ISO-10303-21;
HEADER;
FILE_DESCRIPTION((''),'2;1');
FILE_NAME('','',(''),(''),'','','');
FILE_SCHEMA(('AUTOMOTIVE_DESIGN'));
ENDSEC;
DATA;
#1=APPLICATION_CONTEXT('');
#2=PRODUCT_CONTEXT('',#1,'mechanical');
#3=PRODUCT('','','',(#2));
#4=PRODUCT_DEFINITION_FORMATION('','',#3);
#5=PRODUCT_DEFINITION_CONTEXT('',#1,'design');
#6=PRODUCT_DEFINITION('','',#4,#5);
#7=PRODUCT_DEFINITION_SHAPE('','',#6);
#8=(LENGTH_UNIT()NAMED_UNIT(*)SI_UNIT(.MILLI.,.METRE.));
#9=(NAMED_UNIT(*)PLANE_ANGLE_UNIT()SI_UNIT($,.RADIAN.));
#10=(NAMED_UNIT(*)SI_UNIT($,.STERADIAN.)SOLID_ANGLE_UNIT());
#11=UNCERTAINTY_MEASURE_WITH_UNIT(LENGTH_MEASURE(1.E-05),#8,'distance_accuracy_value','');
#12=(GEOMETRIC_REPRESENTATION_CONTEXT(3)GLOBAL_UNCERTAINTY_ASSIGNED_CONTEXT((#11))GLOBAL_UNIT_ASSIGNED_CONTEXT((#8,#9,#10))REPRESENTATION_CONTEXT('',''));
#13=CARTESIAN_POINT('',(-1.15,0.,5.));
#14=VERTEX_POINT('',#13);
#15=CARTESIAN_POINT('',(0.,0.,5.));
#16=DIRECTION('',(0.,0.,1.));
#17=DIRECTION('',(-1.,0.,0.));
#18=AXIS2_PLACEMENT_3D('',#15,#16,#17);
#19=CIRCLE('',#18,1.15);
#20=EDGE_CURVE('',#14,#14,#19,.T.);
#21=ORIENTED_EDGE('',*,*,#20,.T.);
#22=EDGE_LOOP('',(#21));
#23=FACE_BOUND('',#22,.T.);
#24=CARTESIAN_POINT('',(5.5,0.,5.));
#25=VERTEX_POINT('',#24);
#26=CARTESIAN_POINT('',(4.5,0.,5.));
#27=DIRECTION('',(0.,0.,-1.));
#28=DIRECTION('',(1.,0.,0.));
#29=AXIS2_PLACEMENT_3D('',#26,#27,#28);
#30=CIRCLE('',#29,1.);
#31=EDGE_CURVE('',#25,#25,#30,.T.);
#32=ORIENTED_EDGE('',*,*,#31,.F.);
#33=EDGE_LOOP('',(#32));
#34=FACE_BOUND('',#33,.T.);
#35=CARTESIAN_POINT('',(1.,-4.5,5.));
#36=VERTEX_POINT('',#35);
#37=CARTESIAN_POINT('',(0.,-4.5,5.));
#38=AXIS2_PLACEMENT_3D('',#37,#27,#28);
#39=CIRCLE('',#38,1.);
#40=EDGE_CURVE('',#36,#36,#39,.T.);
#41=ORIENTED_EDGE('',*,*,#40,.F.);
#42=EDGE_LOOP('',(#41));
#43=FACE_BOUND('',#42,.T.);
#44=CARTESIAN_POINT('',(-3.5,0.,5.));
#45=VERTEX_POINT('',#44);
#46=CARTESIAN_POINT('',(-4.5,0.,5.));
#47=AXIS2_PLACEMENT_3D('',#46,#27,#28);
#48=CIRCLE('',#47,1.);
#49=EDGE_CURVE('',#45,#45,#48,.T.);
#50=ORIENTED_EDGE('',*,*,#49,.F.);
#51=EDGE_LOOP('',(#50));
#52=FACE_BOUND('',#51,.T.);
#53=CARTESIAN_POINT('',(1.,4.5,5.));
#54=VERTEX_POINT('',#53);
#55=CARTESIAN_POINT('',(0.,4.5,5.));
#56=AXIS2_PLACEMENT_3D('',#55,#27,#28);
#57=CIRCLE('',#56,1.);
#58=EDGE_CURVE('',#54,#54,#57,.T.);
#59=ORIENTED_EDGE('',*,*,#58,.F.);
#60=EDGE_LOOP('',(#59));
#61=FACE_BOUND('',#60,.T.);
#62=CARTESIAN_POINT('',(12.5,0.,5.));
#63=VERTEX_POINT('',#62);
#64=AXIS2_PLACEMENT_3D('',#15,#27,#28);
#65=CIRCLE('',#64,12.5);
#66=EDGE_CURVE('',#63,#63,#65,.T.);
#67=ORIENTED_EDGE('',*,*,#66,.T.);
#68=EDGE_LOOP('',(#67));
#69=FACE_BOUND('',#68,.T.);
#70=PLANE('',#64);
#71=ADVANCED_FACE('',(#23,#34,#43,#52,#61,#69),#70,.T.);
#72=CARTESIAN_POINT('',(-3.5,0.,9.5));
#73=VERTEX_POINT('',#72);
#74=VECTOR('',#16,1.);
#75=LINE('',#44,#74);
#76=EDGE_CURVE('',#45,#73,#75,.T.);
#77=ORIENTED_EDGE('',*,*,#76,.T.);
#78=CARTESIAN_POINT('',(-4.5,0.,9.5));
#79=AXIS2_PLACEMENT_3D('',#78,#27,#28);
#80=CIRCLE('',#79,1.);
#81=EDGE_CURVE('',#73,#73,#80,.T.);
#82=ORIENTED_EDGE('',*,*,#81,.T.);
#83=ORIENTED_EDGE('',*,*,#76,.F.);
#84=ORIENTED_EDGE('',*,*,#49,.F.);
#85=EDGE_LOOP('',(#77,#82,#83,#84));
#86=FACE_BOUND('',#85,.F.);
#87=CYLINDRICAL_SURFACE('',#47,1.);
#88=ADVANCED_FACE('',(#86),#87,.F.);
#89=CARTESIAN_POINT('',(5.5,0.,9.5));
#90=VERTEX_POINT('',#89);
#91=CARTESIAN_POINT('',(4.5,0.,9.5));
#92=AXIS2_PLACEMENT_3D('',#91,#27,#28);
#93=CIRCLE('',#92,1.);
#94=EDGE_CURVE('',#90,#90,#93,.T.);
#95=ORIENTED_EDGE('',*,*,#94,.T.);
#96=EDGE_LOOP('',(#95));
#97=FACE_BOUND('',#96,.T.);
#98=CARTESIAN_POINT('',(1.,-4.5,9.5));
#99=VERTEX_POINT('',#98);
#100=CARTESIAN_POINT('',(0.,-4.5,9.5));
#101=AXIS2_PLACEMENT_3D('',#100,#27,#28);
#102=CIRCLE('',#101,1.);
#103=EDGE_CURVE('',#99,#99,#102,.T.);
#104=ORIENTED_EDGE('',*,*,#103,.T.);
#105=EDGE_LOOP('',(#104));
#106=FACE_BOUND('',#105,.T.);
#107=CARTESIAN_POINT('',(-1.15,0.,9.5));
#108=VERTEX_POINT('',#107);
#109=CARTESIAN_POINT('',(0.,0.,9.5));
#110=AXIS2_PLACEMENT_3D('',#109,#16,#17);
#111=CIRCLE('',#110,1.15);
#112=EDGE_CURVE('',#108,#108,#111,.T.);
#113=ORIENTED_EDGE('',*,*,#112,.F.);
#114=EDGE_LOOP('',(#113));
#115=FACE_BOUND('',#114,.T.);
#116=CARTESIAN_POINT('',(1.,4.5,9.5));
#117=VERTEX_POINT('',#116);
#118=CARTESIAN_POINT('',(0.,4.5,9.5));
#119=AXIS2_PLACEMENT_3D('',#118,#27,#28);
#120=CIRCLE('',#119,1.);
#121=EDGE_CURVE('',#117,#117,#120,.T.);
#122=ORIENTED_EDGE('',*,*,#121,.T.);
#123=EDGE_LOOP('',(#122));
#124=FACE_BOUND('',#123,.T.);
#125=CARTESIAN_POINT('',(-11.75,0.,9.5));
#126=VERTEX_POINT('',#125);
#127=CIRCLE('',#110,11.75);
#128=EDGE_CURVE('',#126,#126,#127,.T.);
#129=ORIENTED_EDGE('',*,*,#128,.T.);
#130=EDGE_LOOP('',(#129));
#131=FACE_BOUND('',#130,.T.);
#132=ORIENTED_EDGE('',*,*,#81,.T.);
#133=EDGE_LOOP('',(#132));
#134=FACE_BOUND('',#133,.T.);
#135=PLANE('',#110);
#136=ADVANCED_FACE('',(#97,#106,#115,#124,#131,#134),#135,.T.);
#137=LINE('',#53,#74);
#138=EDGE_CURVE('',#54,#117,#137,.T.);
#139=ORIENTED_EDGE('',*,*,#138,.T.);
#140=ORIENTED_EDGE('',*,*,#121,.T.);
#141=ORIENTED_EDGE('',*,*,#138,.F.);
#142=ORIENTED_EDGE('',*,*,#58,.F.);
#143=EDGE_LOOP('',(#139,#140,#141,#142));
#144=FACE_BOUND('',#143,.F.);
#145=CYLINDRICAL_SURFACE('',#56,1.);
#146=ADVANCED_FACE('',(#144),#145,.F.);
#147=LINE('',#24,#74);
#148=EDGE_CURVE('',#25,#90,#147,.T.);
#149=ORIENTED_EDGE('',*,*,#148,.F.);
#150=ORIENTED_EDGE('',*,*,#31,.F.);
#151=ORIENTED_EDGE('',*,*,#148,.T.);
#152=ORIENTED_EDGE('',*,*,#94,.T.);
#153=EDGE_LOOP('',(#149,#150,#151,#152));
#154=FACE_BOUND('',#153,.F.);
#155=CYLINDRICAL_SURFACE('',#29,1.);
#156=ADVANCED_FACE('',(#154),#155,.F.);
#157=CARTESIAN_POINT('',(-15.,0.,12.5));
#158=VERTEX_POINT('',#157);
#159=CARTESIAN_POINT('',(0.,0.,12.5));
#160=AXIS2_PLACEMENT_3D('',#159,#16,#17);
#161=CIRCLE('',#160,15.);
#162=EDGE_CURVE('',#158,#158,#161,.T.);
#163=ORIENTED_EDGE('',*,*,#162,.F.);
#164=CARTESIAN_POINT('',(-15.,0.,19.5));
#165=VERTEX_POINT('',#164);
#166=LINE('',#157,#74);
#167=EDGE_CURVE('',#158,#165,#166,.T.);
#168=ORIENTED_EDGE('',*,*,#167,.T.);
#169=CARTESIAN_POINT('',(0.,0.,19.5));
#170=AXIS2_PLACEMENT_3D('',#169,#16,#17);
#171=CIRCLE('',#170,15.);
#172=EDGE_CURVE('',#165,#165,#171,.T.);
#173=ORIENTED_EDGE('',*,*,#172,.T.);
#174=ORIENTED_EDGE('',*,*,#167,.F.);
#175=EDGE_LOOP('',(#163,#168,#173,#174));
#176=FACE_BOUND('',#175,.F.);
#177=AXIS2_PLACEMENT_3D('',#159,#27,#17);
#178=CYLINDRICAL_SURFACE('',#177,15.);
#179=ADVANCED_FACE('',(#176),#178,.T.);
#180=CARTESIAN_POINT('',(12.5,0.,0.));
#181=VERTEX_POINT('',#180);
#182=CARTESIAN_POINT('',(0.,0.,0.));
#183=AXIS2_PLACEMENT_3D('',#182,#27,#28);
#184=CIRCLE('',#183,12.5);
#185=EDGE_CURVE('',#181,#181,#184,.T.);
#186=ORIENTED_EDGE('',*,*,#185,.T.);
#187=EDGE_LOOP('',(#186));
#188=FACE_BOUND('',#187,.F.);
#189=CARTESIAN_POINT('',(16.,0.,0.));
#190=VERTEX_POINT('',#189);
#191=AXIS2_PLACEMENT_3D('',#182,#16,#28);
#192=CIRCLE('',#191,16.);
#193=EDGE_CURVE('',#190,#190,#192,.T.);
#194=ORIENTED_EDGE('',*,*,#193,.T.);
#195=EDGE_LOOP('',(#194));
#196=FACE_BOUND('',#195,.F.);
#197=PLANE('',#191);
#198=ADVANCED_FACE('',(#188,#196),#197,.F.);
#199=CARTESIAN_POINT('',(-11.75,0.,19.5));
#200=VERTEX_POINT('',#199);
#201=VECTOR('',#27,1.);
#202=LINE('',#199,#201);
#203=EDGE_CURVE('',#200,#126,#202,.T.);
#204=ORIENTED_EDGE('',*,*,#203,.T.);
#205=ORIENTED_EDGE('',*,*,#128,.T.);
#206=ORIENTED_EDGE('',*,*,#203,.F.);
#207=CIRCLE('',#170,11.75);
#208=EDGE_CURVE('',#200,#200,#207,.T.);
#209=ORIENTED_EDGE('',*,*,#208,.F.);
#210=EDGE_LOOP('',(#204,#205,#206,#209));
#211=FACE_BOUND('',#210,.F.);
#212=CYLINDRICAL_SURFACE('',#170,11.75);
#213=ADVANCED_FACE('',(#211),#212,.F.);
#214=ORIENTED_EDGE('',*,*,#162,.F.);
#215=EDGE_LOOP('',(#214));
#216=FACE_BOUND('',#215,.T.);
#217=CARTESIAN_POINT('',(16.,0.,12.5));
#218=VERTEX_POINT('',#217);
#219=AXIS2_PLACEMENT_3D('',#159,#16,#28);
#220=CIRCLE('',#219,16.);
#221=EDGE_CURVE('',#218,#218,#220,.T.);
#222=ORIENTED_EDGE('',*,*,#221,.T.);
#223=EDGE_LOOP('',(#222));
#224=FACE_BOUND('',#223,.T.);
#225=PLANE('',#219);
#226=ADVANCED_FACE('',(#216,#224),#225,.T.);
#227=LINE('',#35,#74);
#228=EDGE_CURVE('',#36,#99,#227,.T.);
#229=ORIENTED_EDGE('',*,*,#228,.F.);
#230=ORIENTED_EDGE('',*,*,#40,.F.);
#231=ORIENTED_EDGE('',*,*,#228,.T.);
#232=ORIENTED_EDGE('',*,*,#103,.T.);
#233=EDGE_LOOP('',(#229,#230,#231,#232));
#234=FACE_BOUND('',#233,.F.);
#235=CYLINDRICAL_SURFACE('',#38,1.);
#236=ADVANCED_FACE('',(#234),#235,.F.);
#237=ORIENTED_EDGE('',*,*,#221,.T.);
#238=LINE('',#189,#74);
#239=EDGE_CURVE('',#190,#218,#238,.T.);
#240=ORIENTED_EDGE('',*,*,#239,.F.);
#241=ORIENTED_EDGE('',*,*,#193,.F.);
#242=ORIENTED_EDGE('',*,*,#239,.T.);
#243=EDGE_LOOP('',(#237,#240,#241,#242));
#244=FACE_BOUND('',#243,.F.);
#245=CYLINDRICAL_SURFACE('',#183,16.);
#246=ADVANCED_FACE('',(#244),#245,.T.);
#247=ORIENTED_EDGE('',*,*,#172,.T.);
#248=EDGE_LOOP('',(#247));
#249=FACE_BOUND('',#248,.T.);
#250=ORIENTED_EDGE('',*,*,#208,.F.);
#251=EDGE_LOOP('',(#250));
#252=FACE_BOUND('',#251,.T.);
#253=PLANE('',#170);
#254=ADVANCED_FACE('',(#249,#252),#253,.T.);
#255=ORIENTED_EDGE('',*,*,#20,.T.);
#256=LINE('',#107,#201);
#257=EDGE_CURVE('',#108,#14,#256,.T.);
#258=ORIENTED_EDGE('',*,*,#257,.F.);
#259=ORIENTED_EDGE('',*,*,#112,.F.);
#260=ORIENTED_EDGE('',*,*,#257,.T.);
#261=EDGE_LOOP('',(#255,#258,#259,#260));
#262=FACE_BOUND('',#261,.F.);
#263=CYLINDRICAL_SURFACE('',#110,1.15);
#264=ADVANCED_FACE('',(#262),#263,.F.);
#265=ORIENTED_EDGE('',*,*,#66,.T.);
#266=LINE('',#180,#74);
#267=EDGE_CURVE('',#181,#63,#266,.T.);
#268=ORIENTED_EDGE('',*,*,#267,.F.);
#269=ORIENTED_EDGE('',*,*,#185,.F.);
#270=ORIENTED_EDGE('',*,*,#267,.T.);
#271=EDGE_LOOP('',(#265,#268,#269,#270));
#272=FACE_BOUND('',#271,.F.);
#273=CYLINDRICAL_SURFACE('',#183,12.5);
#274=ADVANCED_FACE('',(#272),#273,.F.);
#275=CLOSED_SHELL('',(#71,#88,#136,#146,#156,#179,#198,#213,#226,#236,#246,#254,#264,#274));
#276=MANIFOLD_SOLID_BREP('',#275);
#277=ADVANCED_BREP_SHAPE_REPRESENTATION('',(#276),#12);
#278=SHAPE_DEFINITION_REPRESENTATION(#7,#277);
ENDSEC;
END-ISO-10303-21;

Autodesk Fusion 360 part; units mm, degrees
sketch "Skizze2" plane through (0, 0, 0) normal (0, 0, 1) x (1, 0, 0)
  circle A0 centre (0, 0) radius 16
  dimension "d2" = 32
extrude "Extrusion1" add sketch "Skizze2" along normal blind 12.5
sketch "Skizze3" plane through (0, 0, 12.5) normal (0, 0, 1) x (-1, 0, 0)
  circle A0 centre (0, 0) radius 16
  circle A1 centre (0, 0) radius 15
  dimension "d5" = 30
extrude "Extrusion2" add sketch "Skizze3" along normal blind 7 contours A1
sketch "Skizze4" plane through (0, 0, 19.5) normal (0, 0, 1) x (-1, 0, 0)
  circle A0 centre (0, 0) radius 15
  circle A1 centre (0, 0) radius 11.75
  dimension "d8" = 23.5
extrude "Extrusion3" cut sketch "Skizze4" against normal blind 10 contours A1
sketch "Skizze5" plane through (0, 0, 9.5) normal (0, 0, 1) x (-1, 0, 0)
  circle A0 centre (0, 0) radius 11.75
  circle A1 centre (0, 0) radius 1.15
  dimension "d11" = 2.3
extrude "Extrusion4" cut sketch "Skizze5" against normal blind 300 contours A1
sketch "Skizze6" plane through (0, 0, 0) normal (0, 0, -1) x (1, 0, 0)
  circle A0 centre (0, 0) radius 1.15
  circle A1 centre (0, 0) radius 16
  circle A2 centre (0, 0) radius 12.5
  dimension "d14" = 25
extrude "Extrusion5" cut sketch "Skizze6" against normal blind 5 contours A2
sketch "Skizze7" plane through (0, 0, 5) normal (0, 0, -1) x (1, 0, 0)
  circle A0 centre (0, 0) radius 1.15
  circle A1 centre (0, 0) radius 12.5
  circle A2 centre (0, -4.5) radius 1
  dimension "d17" = 2
extrude "Extrusion6" cut sketch "Skizze7" against normal blind 300 contours A2
sketch "Skizze8" plane through (0, 0, 5) normal (0, 0, -1) x (1, 0, 0)
  circle A0 centre (0, -4.5) radius 1
  circle A1 centre (0, 0) radius 1.15
  circle A2 centre (0, 0) radius 12.5
  circle A3 centre (4.5, 0) radius 1
  dimension "d20" = 2
extrude "Extrusion7" cut sketch "Skizze8" against normal blind 300 contours A3
sketch "Skizze9" plane through (0, 0, 5) normal (0, 0, -1) x (1, 0, 0)
  circle A0 centre (4.5, 0) radius 1
  circle A1 centre (0, -4.5) radius 1
  circle A2 centre (0, 0) radius 1.15
  circle A3 centre (0, 0) radius 12.5
  circle A4 centre (0, 4.5) radius 1
  dimension "d23" = 2
extrude "Extrusion8" cut sketch "Skizze9" against normal blind 300 contours A4
sketch "Skizze10" plane through (0, 0, 5) normal (0, 0, -1) x (1, 0, 0)
  circle A0 centre (0, 4.5) radius 1
  circle A1 centre (4.5, 0) radius 1
  circle A2 centre (0, -4.5) radius 1
  circle A3 centre (0, 0) radius 1.15
  circle A4 centre (0, 0) radius 12.5
  circle A5 centre (-4.5, 0) radius 1
  dimension "d26" = 2
extrude "Extrusion9" cut sketch "Skizze10" against normal blind 300 contours A5
